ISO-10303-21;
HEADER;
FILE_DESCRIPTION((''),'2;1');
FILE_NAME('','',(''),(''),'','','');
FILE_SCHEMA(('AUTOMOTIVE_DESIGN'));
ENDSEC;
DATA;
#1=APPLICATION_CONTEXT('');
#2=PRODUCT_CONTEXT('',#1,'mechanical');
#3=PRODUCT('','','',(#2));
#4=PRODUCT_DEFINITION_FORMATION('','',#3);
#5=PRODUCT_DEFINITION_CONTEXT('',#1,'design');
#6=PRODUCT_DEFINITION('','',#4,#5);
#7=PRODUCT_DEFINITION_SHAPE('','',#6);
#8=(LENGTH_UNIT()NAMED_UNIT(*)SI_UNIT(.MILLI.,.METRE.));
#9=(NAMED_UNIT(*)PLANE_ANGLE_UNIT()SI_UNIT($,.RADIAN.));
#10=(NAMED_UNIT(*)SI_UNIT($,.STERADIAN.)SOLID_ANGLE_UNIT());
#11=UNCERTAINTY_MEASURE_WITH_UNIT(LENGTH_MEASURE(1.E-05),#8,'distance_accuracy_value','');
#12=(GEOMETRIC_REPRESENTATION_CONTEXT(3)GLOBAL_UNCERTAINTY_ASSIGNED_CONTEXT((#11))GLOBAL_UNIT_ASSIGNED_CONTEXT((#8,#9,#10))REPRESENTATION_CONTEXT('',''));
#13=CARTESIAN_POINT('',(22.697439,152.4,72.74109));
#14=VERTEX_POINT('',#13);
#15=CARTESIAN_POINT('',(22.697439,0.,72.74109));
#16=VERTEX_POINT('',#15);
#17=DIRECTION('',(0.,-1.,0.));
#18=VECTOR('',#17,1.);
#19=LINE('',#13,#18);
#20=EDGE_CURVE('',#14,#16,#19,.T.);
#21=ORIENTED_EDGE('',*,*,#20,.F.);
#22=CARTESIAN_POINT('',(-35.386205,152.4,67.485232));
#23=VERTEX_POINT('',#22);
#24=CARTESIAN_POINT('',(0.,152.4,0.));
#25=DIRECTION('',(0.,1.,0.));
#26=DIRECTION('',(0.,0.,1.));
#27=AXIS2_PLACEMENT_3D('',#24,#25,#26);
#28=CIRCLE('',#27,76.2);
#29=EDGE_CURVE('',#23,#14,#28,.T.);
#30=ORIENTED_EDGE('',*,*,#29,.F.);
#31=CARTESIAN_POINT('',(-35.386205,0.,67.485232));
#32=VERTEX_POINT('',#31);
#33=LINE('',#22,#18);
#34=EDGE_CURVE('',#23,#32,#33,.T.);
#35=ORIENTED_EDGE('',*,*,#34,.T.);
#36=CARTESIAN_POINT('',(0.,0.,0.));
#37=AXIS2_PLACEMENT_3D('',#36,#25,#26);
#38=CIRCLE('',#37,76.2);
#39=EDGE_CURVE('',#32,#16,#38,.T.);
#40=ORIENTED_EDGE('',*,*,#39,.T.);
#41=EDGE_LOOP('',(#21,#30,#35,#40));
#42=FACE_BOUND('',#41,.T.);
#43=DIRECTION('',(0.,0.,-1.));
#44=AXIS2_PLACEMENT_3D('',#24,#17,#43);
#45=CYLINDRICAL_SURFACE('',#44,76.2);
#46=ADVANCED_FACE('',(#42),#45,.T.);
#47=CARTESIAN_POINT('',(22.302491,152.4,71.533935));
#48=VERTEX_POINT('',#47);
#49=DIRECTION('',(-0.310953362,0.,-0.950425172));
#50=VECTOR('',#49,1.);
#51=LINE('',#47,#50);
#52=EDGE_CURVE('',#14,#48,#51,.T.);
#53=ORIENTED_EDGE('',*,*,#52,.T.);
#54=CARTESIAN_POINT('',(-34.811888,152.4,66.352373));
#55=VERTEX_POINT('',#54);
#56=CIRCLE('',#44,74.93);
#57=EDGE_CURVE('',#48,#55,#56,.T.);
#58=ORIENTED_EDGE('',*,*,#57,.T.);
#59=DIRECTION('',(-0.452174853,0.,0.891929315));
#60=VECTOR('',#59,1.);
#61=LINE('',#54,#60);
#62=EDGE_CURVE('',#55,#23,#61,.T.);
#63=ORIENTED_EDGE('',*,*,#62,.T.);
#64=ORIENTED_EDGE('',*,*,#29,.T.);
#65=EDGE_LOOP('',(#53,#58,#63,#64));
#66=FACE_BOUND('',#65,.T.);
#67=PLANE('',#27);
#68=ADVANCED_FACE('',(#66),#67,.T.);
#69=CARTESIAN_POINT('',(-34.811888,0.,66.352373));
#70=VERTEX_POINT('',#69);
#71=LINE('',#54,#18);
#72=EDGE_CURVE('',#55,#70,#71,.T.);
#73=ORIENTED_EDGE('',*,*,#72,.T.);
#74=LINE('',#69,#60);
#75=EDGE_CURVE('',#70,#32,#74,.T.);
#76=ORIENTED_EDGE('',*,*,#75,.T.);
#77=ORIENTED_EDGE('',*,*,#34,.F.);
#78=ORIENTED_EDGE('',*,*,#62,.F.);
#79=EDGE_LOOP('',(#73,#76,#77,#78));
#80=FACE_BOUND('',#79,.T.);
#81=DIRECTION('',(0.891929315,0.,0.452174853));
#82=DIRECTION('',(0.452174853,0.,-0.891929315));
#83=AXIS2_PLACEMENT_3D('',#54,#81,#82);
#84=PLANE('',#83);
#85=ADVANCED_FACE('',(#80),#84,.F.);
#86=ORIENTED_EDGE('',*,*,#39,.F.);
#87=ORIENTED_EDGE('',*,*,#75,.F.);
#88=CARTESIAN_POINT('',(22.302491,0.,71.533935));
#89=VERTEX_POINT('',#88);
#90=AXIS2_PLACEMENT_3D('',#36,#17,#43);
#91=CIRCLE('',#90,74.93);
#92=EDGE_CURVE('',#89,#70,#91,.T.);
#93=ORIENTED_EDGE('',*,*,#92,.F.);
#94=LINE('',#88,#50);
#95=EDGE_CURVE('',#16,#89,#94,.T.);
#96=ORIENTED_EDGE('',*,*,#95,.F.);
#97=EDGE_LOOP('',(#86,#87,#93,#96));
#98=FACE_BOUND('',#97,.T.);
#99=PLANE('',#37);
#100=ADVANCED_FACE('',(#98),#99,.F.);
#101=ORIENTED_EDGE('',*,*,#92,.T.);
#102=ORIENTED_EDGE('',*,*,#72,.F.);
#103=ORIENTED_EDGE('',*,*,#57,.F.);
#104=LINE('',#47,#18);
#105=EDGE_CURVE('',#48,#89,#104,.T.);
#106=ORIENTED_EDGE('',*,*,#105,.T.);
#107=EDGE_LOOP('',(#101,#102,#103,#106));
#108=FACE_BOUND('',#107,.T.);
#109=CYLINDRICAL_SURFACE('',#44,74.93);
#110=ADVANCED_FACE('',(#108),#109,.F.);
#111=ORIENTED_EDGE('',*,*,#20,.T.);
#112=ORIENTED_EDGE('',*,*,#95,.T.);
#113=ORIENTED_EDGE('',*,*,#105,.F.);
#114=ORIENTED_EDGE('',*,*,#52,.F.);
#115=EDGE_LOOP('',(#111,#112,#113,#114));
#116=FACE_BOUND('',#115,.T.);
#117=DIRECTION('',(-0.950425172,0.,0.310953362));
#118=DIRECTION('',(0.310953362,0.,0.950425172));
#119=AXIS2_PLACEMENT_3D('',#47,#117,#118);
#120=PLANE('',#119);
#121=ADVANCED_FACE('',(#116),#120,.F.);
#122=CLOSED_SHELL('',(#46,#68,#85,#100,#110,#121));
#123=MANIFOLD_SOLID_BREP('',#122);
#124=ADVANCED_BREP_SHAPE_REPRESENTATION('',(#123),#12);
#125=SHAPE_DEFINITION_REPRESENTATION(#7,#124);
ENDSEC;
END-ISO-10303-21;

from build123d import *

# Parameters (mm, degrees)
BOSS_EXTRUDE1_DEPTH = 152.4


with BuildPart() as part:
    # Sketch1 → Boss-Extrude1 (new body)
    with BuildSketch(Plane(origin=(0, 0, 0), x_dir=(1, 0, 0), z_dir=(0, 1, 0))):
        with BuildLine():
            Line((-34.811887815, -66.352372729), (-35.386204999, -67.485231687))
            ThreePointArc((-35.386204999, -67.485231687), (-6.867110436, -75.889938689), (22.697439441, -72.741090471))
            Line((22.697439441, -72.741090471), (22.302490765, -71.533934644))
            ThreePointArc((22.302490765, -71.533934644), (-6.770036898, -74.623531814), (-34.811887815, -66.352372729))
        make_face()
    extrude(amount=BOSS_EXTRUDE1_DEPTH)


solid = part.part
